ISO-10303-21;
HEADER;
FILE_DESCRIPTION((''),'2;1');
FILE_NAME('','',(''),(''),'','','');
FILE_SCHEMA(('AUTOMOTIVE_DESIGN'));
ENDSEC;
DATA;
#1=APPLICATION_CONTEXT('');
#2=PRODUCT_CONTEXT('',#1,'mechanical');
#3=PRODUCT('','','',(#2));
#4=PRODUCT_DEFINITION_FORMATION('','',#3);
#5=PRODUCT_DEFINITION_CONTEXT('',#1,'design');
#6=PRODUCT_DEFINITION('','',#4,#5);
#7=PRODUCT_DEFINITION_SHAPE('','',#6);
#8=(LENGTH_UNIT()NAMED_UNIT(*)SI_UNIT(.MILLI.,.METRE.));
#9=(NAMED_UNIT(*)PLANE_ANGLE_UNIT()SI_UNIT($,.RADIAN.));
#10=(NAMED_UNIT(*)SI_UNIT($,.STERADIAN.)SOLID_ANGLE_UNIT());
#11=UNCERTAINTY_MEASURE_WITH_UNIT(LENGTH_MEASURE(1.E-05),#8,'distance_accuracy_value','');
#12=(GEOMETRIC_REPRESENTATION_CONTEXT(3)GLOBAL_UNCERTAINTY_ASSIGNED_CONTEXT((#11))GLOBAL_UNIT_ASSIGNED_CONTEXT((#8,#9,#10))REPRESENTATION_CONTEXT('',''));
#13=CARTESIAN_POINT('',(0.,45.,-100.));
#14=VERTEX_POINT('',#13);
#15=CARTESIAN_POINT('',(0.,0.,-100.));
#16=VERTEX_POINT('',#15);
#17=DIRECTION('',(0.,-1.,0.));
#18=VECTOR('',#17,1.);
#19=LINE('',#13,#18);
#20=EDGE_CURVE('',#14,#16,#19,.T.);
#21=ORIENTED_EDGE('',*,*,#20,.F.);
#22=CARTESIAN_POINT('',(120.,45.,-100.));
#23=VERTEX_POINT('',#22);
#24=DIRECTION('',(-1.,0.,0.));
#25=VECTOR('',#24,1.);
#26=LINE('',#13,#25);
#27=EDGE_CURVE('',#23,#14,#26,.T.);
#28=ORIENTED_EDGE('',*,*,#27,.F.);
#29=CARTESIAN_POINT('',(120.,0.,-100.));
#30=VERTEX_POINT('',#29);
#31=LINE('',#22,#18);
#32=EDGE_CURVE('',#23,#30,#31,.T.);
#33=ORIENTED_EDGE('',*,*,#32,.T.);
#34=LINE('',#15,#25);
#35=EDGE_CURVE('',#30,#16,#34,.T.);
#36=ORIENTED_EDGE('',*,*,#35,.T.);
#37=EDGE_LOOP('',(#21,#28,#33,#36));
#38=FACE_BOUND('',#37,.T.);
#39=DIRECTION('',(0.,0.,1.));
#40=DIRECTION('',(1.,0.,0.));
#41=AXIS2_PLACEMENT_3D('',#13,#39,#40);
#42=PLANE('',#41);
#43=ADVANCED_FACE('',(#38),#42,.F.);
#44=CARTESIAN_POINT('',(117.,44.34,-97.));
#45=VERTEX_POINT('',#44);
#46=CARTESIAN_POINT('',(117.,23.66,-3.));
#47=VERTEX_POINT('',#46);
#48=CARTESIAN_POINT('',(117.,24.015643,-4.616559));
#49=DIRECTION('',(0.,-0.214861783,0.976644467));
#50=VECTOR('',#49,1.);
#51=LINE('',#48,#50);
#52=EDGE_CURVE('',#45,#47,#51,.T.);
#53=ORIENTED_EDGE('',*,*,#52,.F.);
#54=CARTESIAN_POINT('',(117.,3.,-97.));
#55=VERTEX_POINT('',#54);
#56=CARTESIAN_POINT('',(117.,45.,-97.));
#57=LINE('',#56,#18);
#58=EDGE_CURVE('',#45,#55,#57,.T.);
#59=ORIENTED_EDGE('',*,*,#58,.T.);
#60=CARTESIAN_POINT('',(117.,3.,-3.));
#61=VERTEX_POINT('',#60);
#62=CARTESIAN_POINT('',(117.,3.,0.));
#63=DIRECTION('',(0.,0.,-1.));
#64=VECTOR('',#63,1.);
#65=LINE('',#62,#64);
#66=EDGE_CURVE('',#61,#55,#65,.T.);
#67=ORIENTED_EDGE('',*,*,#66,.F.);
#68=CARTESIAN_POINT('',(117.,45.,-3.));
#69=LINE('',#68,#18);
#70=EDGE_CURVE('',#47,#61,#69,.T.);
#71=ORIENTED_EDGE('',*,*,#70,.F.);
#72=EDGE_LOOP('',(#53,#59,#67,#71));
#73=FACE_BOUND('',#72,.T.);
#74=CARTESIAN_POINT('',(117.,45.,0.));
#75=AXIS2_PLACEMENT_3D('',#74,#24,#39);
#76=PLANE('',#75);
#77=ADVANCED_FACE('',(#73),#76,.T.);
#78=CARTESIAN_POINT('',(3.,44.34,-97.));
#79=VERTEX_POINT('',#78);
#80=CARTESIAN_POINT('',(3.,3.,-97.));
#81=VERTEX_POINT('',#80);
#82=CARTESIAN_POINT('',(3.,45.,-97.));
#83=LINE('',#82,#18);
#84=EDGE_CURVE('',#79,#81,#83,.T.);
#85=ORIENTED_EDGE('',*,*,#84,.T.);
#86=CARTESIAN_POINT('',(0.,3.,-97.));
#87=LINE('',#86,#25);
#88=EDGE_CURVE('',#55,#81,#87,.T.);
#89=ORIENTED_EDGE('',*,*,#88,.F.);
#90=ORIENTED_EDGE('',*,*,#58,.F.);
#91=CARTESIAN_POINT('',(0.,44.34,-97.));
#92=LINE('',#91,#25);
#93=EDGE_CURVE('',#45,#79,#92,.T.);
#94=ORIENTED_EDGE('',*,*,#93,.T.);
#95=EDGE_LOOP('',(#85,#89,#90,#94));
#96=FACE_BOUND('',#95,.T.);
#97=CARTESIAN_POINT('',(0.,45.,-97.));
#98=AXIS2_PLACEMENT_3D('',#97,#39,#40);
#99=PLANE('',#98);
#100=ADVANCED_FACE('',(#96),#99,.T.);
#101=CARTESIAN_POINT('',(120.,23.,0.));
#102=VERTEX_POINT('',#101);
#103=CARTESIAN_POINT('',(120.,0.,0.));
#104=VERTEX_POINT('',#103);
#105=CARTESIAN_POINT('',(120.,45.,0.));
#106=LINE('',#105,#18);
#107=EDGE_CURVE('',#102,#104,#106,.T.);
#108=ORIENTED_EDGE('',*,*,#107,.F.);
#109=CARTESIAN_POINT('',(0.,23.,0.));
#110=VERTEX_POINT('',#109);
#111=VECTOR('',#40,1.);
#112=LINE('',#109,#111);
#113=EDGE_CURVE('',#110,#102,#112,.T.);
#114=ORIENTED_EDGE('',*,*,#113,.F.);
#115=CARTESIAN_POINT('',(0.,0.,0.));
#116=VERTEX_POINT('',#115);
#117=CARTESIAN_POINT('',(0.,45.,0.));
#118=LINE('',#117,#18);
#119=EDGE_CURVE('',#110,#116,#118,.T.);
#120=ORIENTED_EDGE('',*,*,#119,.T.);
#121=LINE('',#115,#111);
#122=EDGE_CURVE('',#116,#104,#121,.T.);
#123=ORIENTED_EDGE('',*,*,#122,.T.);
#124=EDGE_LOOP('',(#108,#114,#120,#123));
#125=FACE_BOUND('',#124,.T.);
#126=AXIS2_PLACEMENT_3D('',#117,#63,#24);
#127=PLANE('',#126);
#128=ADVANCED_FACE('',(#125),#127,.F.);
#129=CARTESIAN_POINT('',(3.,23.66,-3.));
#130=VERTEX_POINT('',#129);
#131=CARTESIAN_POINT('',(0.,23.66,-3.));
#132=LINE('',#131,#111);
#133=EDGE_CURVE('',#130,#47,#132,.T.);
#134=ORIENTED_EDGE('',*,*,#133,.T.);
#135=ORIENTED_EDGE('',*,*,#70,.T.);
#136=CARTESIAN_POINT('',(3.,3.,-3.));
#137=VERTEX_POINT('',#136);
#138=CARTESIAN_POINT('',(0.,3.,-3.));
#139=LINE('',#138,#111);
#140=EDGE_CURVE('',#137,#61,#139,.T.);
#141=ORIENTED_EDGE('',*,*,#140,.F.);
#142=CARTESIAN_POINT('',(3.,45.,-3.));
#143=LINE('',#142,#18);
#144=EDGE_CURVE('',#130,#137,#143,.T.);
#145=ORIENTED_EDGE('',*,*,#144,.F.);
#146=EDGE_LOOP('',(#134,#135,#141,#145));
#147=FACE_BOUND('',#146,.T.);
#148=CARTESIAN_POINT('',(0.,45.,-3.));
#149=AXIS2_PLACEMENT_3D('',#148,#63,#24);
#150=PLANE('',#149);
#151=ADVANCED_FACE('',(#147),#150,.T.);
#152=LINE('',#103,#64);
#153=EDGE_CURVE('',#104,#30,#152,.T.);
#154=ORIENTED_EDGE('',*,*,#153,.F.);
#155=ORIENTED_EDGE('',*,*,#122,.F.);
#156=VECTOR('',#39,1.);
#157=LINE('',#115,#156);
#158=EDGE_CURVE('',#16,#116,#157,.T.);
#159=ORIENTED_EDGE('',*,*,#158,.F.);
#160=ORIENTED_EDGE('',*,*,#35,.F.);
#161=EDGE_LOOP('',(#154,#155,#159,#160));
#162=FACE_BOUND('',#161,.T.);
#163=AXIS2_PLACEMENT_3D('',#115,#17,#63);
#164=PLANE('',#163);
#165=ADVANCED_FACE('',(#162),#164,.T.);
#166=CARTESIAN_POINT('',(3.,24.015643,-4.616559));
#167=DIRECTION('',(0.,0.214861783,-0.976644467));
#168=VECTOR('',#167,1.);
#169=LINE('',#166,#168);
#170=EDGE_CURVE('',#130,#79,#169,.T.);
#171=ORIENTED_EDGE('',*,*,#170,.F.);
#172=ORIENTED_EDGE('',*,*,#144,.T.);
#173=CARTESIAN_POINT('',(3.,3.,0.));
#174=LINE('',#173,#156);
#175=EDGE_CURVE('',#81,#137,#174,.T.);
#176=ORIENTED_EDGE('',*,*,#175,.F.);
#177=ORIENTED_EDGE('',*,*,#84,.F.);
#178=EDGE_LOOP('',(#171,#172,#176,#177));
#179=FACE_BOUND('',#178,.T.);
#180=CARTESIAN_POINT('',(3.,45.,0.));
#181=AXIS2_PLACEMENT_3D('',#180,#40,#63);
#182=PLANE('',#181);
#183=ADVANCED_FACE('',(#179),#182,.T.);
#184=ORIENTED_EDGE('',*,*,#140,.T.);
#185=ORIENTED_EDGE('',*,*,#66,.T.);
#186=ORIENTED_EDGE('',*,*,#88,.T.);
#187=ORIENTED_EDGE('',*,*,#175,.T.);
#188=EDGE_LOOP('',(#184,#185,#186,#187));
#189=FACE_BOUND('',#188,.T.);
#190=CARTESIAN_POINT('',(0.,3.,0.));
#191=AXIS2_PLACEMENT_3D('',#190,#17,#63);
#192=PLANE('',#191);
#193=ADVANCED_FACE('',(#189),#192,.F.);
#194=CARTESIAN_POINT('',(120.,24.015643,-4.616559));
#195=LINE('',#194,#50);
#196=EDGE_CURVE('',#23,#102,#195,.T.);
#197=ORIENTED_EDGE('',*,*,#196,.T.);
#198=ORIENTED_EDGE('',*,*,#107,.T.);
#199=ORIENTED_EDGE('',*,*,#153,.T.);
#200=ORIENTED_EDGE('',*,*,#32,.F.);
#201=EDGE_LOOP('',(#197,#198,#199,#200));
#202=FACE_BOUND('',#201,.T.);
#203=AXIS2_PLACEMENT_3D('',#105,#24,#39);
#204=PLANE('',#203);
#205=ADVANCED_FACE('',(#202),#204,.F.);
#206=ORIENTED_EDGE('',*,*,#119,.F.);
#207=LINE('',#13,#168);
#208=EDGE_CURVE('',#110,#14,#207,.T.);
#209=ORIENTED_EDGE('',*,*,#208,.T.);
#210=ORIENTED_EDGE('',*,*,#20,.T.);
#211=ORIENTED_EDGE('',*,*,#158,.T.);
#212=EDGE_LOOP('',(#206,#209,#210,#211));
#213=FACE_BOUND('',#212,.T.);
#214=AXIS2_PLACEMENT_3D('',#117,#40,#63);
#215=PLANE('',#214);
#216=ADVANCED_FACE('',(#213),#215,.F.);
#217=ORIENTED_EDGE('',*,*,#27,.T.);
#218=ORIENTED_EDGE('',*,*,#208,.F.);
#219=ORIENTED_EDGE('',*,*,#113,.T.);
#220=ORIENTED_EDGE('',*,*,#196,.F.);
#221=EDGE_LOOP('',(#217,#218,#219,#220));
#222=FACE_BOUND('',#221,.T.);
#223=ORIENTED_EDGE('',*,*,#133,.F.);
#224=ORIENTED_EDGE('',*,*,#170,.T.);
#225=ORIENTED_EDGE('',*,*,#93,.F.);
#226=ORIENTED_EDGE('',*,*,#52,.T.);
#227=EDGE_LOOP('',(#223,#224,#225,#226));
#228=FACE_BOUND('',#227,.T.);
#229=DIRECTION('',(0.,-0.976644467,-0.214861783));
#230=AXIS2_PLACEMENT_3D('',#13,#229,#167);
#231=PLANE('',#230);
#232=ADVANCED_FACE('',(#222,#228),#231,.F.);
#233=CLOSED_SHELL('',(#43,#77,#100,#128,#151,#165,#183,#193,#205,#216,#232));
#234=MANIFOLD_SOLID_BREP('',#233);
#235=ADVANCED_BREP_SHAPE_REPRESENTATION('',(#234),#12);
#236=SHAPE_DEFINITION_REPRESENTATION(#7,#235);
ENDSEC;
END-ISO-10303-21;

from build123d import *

# Parameters (mm, degrees)
SKETCH1_W               = 120
SKETCH1_H               = 100
BOSS_EXTRUDE1_DEPTH     = 45
CUT_EXTRUDE1_DEPTH      = 163.55768207
CUT_EXTRUDE1_DEPTH_BACK = 163.55768207
SHELL1_T                = -3


with BuildPart() as part:
    # Sketch1 → Boss-Extrude1 (new body)
    with BuildSketch(Plane(origin=(0, 0, 0), x_dir=(1, 0, 0), z_dir=(0, 1, 0))):
        with Locations((60, 50)):
            Rectangle(SKETCH1_W, SKETCH1_H)
    extrude(amount=BOSS_EXTRUDE1_DEPTH)

    # Sketch2 → Cut-Extrude1 (cut, two sides: drawn at the far end of the back side and taken through both)
    with BuildSketch(Plane(origin=(120, 0, 0), x_dir=(0, 0, -1), z_dir=(1, 0, 0)).offset(-CUT_EXTRUDE1_DEPTH_BACK)):
        Polygon((0, 23), (0, 45), (100, 45), align=None)
    extrude(amount=CUT_EXTRUDE1_DEPTH + CUT_EXTRUDE1_DEPTH_BACK, mode=Mode.SUBTRACT)

    # Shell1
    shell1_openings = [part.faces().sort_by_distance(p)[0] for p in [
        (60, 34, -50),
    ]]
    offset(amount=SHELL1_T, openings=shell1_openings, kind=Kind.INTERSECTION)


solid = part.part
